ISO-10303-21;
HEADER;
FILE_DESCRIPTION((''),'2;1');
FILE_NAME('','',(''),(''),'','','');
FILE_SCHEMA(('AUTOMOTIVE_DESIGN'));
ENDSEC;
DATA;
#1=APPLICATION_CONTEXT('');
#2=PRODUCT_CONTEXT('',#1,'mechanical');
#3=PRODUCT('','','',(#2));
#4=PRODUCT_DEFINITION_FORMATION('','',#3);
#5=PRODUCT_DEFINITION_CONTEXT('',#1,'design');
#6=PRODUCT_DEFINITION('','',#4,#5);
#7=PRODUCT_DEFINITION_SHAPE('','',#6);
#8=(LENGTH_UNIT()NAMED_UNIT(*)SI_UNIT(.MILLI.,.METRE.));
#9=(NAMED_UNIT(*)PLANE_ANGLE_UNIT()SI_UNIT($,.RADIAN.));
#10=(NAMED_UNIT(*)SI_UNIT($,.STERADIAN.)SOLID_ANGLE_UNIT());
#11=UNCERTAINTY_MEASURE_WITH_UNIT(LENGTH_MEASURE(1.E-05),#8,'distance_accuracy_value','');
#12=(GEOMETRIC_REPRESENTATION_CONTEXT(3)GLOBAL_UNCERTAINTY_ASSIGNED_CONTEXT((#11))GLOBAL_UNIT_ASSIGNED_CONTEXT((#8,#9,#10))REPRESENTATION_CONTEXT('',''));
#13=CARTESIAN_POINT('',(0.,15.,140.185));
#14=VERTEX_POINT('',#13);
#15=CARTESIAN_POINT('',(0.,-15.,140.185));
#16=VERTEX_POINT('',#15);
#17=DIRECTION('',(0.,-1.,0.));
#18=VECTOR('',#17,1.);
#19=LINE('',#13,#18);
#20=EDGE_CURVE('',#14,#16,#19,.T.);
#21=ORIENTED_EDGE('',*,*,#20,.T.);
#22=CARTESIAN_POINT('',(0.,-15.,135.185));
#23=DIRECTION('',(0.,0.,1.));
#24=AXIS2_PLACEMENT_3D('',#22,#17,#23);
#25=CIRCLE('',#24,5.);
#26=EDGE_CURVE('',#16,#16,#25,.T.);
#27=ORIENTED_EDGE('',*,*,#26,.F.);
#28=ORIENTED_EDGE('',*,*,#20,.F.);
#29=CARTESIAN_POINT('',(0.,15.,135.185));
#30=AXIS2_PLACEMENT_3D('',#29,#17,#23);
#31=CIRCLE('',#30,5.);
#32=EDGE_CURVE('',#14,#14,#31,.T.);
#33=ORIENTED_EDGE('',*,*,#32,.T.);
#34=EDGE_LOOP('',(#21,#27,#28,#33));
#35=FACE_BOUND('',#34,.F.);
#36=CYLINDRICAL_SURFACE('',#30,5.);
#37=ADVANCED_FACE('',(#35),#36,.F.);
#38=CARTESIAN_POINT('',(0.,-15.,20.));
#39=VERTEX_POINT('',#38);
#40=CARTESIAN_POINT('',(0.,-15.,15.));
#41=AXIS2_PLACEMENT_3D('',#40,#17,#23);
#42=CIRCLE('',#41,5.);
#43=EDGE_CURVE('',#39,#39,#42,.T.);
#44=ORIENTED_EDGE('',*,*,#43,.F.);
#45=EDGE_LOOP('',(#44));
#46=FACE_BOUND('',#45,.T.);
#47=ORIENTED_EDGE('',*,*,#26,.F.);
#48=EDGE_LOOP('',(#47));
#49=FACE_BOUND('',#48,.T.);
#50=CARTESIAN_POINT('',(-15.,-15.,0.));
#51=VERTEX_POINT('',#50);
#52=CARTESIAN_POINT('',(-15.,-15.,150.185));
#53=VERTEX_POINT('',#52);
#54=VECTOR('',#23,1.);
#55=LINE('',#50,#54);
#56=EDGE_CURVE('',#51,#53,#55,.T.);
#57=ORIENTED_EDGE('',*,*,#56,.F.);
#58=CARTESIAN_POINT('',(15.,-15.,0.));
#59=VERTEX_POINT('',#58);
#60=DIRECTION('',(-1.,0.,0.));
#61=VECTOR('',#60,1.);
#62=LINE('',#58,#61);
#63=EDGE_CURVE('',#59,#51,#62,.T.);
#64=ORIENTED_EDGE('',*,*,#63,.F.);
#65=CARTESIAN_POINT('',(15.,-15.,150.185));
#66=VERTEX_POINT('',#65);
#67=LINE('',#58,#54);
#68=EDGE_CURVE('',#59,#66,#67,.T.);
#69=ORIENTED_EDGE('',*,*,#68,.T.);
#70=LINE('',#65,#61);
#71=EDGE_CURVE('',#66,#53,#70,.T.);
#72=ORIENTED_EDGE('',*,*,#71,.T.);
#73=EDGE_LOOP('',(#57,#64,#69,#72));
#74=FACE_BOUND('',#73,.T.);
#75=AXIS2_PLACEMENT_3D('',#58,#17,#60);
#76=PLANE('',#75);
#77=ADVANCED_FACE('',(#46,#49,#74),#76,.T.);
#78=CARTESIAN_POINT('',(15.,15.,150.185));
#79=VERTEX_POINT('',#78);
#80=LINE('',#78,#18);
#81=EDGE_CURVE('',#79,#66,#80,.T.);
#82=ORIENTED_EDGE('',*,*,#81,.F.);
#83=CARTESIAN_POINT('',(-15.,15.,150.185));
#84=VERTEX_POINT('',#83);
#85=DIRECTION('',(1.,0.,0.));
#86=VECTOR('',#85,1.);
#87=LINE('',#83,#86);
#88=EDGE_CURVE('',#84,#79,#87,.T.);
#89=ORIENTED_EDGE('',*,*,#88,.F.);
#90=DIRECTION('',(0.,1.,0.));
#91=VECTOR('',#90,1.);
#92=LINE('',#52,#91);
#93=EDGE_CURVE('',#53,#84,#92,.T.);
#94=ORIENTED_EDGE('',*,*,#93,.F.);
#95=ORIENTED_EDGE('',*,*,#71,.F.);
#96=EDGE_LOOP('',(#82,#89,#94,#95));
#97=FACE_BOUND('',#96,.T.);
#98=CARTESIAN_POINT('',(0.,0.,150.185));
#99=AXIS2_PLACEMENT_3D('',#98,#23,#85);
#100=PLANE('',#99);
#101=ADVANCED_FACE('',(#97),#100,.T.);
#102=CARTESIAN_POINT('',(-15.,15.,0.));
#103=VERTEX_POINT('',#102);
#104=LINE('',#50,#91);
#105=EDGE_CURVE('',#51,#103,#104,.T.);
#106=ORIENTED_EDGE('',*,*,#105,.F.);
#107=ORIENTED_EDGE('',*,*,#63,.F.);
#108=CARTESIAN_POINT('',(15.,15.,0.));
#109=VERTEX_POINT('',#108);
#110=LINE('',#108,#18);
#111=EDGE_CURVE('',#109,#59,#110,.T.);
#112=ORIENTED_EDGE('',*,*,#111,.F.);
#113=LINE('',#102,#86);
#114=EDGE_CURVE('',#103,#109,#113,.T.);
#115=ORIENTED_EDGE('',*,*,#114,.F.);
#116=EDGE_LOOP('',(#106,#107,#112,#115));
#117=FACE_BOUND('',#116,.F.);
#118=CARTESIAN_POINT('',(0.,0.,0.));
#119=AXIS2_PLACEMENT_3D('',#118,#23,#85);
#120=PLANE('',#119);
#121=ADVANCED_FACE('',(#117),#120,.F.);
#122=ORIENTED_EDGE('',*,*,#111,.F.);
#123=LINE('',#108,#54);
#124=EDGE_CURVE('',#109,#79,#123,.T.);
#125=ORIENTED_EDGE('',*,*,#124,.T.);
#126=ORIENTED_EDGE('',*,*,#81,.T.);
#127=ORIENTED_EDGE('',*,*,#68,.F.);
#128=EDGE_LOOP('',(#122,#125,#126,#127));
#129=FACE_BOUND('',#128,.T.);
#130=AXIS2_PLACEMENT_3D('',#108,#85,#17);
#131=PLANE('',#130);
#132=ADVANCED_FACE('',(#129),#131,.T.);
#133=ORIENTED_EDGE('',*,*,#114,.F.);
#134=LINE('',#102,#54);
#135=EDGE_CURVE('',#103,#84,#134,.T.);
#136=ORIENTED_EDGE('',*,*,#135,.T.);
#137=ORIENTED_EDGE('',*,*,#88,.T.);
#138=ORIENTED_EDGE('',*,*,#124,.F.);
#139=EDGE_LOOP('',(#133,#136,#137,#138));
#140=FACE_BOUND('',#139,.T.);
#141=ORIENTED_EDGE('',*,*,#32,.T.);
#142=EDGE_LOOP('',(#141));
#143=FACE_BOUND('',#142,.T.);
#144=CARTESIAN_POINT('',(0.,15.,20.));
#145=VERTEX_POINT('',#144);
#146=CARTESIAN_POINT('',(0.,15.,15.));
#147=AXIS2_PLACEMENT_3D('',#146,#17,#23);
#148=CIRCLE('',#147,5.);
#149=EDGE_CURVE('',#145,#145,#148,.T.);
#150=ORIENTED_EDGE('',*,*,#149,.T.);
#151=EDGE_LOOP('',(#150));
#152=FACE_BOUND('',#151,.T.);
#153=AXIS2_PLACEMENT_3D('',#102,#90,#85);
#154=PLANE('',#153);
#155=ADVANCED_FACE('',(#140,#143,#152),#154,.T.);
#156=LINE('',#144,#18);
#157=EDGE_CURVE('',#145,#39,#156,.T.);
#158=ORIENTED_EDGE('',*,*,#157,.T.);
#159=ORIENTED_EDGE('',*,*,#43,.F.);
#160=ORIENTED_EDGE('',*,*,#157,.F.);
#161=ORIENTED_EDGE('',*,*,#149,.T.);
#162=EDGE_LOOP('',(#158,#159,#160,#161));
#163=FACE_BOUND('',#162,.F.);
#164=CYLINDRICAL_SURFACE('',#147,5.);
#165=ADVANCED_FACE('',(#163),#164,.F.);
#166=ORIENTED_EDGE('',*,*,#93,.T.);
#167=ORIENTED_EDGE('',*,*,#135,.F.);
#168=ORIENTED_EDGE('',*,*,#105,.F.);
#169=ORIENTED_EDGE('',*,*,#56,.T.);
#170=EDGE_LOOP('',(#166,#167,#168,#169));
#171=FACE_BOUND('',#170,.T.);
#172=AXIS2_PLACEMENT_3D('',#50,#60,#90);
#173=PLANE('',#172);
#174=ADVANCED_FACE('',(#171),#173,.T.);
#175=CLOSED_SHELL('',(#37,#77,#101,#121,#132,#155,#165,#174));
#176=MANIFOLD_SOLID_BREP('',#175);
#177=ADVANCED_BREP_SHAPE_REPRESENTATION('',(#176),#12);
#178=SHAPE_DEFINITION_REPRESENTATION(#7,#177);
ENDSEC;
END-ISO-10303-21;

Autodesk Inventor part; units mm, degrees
ref_plane "YZ Plane" through (0, 0, 0) normal (1, 0, 0) x (0, 1, 0)
ref_plane "XZ Plane" through (0, 0, 0) normal (0, 1, 0) x (-1, 0, 0)
ref_plane "XY Plane" through (0, 0, 0) normal (0, 0, 1) x (1, 0, 0)
sketch "スケッチ4" plane through (0, 0, 0) normal (0, 0, 1) x (1, 0, 0)
  line L0 (-15, 15) -> (15, 15)
  line L1 (15, 15) -> (15, -15)
  line L2 (15, -15) -> (-15, -15)
  line L3 (-15, -15) -> (-15, 15)
  line L4 (-15, 15) -> (15, -15) construction
  line L5 (15, 15) -> (-15, -15) construction
  point P0 (0, 0)
  dimension "d14" = 30
  dimension "d15" = 30
extrude "押し出し2" add sketch "スケッチ4" along normal blind 150.185
sketch "スケッチ5" plane through (-15, 15, 0) normal (0, 1, 0) x (1, 0, 0)
  line L0 (30, -150.185) -> (0, -150.185) projected
  line L1 (0, 0) -> (30, 0) projected
  point P0 (15, 0)
  point P1 (15, -135.185)
  point P2 (15, -15)
  dimension "d18" = 15
  dimension "d19" = 15
hole "穴2" at (0, 15, 135.185) at (0, 15, 15) direction (0, -1, 0) diameter 10 end through all
